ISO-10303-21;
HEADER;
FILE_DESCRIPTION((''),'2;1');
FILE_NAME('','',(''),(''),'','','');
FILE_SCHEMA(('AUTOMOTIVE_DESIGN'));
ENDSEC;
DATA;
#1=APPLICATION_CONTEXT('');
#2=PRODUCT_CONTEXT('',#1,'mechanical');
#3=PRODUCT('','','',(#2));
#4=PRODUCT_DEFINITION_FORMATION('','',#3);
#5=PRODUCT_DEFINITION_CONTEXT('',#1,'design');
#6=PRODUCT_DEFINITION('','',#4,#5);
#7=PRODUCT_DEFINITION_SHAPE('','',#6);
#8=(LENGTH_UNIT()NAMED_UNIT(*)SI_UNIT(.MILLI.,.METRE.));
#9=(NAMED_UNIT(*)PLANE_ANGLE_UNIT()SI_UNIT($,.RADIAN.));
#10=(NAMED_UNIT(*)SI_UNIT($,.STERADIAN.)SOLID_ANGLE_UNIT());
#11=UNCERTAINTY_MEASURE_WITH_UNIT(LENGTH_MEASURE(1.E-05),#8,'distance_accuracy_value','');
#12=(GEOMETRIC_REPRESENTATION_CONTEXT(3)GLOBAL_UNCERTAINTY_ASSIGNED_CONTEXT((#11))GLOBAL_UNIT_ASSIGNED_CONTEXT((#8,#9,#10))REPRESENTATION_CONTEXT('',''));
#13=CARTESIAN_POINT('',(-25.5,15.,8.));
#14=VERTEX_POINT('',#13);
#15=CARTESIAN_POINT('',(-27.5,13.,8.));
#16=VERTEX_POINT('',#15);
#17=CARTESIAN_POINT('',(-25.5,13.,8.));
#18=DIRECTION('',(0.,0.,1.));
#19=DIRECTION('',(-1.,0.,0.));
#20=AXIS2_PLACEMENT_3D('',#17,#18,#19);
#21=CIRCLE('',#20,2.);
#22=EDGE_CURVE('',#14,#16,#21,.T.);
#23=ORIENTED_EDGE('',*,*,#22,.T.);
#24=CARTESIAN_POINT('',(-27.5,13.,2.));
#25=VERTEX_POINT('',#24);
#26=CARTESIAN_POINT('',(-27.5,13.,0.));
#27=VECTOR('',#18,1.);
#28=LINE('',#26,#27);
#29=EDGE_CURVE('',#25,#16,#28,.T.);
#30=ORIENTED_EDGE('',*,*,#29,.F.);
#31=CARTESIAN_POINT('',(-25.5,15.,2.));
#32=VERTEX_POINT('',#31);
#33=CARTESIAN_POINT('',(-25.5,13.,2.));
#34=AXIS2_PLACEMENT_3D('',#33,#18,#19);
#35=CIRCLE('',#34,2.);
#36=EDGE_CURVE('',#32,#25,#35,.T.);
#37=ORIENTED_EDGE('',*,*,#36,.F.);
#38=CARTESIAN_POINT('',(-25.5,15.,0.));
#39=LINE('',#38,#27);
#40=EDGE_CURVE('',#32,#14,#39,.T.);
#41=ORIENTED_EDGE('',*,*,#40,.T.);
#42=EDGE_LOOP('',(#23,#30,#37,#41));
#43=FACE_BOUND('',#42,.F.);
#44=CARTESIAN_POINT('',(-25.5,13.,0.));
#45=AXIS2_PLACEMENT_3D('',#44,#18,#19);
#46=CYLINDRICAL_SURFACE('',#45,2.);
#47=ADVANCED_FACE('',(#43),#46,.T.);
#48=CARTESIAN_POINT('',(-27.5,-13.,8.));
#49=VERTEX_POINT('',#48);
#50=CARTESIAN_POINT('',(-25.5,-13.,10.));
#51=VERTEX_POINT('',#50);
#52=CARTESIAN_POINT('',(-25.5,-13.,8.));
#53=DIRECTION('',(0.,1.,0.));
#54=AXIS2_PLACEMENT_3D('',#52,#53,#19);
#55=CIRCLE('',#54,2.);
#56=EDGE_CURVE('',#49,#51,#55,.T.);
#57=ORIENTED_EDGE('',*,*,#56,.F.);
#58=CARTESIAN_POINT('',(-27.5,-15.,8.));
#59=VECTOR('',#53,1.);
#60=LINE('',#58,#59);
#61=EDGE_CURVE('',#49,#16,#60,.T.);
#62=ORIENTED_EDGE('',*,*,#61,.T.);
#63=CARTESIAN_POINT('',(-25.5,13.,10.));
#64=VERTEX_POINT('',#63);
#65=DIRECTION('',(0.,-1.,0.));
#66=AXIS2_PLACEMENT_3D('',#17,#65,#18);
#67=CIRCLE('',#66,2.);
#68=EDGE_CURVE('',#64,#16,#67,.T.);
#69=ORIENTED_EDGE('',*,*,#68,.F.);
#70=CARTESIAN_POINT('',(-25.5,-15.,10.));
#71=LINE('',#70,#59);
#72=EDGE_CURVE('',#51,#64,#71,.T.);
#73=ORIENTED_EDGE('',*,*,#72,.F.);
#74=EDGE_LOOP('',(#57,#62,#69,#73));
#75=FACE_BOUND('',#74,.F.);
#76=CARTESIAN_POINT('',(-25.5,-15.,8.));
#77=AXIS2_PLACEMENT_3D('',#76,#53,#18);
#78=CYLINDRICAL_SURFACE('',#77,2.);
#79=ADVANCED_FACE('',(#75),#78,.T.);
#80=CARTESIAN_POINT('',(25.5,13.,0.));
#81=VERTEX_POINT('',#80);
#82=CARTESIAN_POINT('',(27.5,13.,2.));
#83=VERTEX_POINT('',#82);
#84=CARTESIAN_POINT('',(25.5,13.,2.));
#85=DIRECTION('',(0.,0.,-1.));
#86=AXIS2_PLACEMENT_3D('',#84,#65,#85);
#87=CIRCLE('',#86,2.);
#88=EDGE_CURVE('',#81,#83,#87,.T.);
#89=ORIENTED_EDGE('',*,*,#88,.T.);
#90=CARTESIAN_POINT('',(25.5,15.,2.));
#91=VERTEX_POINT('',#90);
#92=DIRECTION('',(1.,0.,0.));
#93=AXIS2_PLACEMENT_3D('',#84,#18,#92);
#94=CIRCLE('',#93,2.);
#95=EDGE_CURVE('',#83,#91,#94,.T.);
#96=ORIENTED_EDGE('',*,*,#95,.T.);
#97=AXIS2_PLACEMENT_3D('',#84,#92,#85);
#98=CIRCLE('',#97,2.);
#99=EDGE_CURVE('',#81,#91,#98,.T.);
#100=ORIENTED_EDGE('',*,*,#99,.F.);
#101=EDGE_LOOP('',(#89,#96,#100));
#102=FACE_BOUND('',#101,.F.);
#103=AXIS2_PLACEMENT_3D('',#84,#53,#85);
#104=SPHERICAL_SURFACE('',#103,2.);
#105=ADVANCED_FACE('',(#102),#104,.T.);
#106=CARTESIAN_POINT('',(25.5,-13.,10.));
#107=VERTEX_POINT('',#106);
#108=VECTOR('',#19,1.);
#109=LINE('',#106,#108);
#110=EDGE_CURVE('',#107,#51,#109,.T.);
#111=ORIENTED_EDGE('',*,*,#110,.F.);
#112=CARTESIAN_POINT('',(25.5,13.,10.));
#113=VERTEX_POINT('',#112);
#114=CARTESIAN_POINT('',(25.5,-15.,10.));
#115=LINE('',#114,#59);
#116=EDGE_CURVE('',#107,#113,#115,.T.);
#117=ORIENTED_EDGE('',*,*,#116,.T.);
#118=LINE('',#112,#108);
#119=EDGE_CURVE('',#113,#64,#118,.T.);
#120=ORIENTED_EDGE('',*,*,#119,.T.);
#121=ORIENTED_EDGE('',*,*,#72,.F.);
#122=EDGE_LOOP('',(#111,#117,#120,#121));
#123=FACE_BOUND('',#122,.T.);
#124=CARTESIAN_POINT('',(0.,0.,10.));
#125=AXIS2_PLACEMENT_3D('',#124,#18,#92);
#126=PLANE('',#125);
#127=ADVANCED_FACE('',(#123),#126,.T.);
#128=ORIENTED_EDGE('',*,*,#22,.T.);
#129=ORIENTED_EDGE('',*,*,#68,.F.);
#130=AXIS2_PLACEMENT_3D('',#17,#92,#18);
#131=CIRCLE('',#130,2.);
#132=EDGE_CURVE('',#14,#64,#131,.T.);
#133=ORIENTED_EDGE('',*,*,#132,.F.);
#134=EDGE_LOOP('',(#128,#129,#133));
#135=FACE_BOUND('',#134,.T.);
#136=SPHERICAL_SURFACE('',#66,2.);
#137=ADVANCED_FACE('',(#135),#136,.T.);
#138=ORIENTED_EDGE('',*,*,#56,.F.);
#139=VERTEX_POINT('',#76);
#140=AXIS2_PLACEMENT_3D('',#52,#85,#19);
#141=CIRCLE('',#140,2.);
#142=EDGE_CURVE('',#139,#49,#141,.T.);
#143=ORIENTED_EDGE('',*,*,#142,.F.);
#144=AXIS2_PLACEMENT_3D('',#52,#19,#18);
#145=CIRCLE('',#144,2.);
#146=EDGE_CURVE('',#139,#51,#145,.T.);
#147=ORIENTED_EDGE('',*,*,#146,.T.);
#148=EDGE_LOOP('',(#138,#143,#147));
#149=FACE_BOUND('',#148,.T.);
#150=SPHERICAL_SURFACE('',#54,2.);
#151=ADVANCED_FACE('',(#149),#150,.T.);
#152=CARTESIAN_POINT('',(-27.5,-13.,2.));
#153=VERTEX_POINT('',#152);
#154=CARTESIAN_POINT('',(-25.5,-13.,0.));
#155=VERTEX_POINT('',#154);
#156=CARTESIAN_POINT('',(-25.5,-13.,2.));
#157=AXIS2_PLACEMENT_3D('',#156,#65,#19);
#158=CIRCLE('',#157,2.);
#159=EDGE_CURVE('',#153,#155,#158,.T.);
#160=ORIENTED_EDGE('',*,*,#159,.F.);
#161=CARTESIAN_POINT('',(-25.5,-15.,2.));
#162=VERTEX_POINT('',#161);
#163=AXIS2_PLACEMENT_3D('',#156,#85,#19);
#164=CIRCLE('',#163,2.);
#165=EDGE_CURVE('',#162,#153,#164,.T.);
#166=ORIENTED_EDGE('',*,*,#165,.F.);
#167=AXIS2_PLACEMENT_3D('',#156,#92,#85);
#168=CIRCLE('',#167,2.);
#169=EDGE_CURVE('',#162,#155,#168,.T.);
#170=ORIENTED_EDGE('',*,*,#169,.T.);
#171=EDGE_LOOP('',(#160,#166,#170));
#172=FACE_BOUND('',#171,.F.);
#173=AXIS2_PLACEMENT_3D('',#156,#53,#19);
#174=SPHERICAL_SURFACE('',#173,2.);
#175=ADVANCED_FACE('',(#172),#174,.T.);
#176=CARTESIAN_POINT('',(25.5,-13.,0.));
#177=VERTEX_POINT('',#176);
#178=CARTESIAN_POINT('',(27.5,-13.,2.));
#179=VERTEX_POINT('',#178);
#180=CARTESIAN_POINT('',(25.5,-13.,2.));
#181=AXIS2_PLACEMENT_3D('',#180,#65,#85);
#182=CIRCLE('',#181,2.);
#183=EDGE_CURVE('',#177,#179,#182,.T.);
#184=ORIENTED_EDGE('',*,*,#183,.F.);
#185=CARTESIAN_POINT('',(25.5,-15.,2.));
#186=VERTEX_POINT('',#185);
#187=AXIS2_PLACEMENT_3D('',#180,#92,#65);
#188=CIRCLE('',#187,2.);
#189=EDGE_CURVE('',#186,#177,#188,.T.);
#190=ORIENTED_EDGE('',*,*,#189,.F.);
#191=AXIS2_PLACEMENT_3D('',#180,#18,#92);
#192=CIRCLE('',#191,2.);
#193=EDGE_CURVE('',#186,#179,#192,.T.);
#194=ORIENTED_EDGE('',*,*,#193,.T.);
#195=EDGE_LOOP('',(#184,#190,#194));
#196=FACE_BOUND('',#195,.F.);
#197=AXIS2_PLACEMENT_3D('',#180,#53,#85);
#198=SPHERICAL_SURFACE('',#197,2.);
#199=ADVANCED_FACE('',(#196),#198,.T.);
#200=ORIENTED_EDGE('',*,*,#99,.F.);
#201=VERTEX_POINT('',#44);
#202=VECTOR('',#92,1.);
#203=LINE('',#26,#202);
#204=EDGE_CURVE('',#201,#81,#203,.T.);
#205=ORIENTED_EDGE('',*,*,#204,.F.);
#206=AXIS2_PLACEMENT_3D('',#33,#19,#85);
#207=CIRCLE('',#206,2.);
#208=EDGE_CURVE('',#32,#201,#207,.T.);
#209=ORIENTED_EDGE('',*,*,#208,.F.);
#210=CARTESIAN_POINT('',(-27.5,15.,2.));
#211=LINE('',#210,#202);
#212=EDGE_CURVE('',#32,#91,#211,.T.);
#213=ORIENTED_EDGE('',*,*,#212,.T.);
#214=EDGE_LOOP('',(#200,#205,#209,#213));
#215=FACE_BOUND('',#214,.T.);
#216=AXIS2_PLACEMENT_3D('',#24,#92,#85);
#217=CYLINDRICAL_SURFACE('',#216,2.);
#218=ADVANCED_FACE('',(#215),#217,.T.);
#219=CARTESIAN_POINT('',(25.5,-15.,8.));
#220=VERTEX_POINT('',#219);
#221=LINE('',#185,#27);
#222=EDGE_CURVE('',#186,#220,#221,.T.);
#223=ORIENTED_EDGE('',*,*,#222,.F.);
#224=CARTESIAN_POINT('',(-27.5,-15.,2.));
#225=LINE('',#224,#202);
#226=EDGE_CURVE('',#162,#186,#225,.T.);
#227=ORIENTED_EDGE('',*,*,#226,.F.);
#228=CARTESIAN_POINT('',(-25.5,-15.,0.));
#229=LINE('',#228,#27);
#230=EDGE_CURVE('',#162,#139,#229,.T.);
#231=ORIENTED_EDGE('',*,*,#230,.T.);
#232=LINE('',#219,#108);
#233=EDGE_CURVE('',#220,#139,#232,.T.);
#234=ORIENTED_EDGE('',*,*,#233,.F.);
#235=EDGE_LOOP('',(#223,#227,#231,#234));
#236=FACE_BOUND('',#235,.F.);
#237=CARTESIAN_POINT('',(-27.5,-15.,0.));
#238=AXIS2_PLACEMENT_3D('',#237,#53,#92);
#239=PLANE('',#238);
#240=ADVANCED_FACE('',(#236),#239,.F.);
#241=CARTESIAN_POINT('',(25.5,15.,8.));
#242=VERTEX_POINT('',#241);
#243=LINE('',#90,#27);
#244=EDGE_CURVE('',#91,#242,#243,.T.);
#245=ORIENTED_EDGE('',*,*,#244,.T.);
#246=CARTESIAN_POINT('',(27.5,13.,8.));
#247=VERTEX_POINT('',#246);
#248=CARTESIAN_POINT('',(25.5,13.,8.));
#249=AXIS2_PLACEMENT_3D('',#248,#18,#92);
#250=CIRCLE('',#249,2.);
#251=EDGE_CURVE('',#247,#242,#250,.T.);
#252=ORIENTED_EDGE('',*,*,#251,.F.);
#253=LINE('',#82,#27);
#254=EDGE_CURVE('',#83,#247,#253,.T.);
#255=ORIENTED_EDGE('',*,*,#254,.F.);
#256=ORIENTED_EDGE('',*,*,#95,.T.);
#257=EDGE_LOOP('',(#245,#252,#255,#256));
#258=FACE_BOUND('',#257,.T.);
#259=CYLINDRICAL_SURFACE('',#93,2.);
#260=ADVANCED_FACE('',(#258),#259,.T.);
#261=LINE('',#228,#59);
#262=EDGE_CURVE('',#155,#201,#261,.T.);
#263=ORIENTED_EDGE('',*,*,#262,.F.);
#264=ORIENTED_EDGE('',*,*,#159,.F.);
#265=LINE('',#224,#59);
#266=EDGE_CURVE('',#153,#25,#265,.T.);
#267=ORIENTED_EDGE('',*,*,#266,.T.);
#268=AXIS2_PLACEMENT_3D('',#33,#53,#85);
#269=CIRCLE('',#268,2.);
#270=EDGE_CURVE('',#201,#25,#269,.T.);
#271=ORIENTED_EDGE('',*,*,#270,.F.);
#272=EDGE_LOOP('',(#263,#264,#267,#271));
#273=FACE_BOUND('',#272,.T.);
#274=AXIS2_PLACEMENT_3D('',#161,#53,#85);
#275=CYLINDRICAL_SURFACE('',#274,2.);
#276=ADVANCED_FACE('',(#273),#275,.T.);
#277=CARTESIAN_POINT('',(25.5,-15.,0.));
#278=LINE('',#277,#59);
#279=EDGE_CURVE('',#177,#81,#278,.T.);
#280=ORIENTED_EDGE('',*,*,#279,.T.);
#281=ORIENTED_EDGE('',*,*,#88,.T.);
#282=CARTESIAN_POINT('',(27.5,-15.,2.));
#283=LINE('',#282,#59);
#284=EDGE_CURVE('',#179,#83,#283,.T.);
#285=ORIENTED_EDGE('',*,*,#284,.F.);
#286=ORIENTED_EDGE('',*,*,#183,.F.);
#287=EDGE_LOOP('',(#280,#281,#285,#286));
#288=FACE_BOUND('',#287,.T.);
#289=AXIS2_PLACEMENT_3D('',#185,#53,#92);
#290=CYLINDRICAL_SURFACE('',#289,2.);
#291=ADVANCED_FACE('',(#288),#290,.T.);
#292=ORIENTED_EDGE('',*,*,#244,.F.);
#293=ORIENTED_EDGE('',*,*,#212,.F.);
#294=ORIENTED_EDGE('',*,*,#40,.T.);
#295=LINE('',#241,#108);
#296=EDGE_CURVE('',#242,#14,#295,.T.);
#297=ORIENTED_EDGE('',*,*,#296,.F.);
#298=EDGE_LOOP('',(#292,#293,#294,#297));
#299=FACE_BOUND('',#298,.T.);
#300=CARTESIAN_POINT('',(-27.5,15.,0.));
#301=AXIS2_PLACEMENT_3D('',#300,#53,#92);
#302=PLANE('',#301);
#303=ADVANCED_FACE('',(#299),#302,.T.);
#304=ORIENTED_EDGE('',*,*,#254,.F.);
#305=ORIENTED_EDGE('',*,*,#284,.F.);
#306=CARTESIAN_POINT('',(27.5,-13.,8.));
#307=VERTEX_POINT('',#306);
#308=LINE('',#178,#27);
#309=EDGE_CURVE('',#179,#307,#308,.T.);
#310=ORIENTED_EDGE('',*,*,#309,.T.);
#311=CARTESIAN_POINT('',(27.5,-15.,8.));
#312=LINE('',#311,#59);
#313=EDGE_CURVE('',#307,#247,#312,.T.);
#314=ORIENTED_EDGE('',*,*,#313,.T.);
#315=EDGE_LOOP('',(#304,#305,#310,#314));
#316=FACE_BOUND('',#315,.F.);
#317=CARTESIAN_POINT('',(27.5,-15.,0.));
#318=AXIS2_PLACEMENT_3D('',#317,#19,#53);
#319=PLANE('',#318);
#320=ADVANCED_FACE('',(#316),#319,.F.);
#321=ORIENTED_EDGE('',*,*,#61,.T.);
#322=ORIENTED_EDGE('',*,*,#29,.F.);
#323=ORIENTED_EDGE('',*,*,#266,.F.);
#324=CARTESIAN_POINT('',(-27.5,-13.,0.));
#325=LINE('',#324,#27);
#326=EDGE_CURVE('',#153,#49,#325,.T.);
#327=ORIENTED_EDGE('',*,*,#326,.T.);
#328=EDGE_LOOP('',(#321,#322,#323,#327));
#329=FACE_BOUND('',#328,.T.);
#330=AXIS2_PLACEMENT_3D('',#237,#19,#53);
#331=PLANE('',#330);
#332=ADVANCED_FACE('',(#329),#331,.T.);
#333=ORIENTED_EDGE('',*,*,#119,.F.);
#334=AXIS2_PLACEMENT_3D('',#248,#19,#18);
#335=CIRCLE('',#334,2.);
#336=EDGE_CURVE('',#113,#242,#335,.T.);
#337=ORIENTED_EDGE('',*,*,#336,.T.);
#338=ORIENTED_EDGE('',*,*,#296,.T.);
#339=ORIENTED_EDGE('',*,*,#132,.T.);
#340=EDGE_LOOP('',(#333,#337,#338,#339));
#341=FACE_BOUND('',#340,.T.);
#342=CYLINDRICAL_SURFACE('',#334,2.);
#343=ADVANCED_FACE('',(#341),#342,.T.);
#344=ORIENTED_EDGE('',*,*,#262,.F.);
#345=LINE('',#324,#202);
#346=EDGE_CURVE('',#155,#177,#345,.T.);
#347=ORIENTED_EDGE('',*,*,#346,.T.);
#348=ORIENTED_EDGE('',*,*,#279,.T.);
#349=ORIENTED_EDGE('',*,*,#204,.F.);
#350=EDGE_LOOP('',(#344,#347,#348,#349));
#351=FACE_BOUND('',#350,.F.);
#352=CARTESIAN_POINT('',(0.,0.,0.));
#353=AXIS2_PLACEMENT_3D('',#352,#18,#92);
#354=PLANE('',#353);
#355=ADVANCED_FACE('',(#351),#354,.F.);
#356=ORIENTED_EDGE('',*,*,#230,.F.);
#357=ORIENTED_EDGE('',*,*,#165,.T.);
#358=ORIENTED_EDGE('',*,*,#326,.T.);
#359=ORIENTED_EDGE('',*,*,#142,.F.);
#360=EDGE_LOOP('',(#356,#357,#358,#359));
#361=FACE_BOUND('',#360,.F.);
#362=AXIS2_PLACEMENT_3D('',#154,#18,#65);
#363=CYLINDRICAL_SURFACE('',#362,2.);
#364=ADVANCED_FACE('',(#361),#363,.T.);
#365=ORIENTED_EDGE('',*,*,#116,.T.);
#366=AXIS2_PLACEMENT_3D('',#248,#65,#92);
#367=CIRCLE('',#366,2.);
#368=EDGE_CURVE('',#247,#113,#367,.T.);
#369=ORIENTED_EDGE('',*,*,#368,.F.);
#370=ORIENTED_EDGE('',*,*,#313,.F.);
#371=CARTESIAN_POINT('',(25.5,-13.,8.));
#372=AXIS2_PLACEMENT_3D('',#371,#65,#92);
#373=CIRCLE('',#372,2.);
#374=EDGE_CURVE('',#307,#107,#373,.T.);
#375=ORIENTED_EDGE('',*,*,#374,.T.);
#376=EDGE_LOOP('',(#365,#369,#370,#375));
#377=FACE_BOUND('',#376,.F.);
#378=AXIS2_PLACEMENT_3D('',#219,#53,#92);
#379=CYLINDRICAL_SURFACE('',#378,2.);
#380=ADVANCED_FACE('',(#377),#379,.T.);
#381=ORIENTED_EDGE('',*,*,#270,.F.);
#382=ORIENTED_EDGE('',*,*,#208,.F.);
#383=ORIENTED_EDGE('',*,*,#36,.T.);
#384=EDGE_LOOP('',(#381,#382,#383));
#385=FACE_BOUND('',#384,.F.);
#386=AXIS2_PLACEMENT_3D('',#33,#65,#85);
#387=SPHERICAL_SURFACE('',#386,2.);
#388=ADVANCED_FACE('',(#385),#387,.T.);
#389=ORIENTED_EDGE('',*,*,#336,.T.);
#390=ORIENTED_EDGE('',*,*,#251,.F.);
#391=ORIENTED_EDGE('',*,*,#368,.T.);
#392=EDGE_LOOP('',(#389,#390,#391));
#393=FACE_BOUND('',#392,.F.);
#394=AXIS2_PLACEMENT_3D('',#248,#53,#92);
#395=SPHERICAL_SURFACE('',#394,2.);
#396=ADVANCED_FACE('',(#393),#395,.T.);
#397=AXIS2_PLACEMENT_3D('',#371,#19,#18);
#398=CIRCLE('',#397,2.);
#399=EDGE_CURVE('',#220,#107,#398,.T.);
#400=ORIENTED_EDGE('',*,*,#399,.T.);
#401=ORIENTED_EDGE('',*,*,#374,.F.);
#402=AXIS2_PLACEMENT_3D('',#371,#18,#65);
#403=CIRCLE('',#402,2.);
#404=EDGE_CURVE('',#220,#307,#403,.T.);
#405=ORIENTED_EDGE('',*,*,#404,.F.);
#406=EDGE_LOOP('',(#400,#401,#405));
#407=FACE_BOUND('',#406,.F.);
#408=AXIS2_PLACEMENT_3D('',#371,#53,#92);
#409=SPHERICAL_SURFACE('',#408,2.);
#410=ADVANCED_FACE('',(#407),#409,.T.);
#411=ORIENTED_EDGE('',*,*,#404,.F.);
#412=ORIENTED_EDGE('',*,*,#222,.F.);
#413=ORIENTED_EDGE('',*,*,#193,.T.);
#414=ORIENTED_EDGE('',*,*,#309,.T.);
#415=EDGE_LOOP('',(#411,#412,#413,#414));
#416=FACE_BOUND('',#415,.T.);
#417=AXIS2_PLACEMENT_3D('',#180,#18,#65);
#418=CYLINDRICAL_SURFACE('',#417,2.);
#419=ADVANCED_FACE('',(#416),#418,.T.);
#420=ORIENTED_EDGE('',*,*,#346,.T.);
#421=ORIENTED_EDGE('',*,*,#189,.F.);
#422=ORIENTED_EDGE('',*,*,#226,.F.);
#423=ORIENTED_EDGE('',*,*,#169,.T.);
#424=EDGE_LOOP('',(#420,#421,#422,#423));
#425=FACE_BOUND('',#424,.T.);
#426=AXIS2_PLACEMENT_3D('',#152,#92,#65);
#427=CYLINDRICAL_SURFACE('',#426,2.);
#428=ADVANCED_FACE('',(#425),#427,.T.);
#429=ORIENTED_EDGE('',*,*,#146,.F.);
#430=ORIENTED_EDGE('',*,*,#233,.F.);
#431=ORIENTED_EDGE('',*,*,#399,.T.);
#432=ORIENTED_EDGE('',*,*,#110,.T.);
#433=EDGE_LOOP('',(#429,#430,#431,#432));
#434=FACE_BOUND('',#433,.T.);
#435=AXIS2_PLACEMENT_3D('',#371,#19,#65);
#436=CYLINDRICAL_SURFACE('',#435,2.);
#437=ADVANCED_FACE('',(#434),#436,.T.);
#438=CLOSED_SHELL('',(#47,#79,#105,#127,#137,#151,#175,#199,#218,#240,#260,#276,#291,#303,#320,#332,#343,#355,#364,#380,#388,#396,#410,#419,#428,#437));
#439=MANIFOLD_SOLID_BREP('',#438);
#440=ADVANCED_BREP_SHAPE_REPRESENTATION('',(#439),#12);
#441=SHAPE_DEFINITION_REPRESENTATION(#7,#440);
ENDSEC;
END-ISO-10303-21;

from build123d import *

# Parameters (mm, degrees)
F0_W     = 55
F0_H     = 30
F1_DEPTH = 10
F2_R     = 2
F3_R     = 2


with BuildPart() as f1:
    # F0 (on Top) → F1 (new body)
    with BuildSketch(Plane.XY):
        Rectangle(F0_W, F0_H)
    extrude(amount=F1_DEPTH)

    # F2
    f2_edges = [f1.edges().sort_by_distance(p)[0] for p in [
        (27.5, 0, 0),
        (27.5, 0, 10),
    ]]
    fillet(f2_edges, radius=F2_R)

    # F3
    f3_edges = [f1.edges().sort_by_distance(p)[0] for p in [
        (-27.5, 0, 10),
        (-27.5, 0, 0),
        (-27.5, -15, 5),
        (27.5, -15, 5),
        (27.5, 15, 5),
        (26.914214, 15, 0.585786),
        (26.914214, 15, 9.414214),
        (-1, 15, 0),
        (-1, 15, 10),
        (-27.5, 15, 5),
    ]]
    fillet(f3_edges, radius=F3_R)


solid = f1.part
